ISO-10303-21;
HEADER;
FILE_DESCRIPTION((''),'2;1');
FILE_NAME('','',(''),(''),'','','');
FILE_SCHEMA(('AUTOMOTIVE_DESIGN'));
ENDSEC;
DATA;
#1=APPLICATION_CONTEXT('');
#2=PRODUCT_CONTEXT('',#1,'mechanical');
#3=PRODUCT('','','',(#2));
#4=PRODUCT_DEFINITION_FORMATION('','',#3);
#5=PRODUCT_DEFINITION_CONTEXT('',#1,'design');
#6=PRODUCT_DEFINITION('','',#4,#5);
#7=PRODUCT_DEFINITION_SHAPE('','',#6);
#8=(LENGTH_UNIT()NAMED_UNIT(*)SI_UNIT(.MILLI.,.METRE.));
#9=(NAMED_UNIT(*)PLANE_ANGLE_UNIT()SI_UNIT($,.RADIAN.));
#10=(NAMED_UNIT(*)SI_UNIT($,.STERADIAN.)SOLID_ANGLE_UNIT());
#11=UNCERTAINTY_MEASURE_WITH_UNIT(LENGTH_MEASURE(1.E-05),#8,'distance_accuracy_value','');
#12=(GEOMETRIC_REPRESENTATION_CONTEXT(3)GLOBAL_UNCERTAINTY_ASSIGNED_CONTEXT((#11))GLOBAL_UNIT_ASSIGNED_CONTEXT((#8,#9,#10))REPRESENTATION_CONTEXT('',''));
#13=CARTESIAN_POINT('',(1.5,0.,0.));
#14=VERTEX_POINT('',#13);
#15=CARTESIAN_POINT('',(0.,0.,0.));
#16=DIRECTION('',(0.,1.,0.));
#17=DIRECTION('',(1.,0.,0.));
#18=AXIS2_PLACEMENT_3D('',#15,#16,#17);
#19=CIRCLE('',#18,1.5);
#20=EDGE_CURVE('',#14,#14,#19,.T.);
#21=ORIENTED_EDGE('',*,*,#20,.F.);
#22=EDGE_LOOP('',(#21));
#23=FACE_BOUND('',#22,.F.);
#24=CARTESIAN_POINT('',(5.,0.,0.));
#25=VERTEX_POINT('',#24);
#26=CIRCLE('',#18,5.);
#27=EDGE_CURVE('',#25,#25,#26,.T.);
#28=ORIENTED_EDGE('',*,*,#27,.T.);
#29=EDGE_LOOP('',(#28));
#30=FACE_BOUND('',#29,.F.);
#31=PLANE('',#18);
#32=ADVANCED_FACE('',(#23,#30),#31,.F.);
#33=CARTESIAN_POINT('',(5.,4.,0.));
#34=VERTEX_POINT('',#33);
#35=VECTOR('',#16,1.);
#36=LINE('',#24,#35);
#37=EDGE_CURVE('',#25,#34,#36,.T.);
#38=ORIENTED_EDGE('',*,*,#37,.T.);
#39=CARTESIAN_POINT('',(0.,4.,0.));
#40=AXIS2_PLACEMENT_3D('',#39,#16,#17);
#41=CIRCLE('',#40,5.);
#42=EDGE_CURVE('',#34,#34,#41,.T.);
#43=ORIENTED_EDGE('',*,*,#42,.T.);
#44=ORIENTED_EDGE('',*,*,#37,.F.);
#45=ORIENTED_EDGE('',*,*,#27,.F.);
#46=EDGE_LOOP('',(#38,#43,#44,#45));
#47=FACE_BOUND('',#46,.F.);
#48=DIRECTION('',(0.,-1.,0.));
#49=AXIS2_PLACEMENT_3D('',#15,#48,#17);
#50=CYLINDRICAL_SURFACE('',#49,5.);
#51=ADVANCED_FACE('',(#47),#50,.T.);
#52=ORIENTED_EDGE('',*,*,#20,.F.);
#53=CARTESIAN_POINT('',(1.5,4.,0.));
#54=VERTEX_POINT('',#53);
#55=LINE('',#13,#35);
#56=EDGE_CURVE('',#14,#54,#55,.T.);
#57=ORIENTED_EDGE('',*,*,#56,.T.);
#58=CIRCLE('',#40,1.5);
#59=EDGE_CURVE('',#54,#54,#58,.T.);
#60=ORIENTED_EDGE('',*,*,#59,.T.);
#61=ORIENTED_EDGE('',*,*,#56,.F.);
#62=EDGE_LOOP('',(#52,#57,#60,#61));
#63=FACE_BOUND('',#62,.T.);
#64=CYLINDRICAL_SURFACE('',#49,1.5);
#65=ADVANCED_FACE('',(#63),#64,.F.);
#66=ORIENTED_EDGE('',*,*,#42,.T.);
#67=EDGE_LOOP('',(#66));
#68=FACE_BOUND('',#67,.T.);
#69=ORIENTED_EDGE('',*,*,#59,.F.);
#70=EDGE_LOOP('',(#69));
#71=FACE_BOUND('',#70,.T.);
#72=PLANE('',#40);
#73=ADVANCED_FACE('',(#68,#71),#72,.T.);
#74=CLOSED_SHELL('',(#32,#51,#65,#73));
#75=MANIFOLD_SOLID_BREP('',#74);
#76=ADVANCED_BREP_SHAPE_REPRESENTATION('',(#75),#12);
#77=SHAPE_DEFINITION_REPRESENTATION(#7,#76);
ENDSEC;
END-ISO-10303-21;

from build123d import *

# Parameters (mm, degrees)
SKETCH1_R           = 5
SKETCH1_R_2         = 1.5
BOSS_EXTRUDE1_DEPTH = 4


with BuildPart() as part:
    # Sketch1 → Boss-Extrude1 (new body)
    with BuildSketch(Plane(origin=(0, 0, 0), x_dir=(1, 0, 0), z_dir=(0, 1, 0))):
        Circle(SKETCH1_R)
        Circle(SKETCH1_R_2, mode=Mode.SUBTRACT)
    extrude(amount=BOSS_EXTRUDE1_DEPTH)


solid = part.part
